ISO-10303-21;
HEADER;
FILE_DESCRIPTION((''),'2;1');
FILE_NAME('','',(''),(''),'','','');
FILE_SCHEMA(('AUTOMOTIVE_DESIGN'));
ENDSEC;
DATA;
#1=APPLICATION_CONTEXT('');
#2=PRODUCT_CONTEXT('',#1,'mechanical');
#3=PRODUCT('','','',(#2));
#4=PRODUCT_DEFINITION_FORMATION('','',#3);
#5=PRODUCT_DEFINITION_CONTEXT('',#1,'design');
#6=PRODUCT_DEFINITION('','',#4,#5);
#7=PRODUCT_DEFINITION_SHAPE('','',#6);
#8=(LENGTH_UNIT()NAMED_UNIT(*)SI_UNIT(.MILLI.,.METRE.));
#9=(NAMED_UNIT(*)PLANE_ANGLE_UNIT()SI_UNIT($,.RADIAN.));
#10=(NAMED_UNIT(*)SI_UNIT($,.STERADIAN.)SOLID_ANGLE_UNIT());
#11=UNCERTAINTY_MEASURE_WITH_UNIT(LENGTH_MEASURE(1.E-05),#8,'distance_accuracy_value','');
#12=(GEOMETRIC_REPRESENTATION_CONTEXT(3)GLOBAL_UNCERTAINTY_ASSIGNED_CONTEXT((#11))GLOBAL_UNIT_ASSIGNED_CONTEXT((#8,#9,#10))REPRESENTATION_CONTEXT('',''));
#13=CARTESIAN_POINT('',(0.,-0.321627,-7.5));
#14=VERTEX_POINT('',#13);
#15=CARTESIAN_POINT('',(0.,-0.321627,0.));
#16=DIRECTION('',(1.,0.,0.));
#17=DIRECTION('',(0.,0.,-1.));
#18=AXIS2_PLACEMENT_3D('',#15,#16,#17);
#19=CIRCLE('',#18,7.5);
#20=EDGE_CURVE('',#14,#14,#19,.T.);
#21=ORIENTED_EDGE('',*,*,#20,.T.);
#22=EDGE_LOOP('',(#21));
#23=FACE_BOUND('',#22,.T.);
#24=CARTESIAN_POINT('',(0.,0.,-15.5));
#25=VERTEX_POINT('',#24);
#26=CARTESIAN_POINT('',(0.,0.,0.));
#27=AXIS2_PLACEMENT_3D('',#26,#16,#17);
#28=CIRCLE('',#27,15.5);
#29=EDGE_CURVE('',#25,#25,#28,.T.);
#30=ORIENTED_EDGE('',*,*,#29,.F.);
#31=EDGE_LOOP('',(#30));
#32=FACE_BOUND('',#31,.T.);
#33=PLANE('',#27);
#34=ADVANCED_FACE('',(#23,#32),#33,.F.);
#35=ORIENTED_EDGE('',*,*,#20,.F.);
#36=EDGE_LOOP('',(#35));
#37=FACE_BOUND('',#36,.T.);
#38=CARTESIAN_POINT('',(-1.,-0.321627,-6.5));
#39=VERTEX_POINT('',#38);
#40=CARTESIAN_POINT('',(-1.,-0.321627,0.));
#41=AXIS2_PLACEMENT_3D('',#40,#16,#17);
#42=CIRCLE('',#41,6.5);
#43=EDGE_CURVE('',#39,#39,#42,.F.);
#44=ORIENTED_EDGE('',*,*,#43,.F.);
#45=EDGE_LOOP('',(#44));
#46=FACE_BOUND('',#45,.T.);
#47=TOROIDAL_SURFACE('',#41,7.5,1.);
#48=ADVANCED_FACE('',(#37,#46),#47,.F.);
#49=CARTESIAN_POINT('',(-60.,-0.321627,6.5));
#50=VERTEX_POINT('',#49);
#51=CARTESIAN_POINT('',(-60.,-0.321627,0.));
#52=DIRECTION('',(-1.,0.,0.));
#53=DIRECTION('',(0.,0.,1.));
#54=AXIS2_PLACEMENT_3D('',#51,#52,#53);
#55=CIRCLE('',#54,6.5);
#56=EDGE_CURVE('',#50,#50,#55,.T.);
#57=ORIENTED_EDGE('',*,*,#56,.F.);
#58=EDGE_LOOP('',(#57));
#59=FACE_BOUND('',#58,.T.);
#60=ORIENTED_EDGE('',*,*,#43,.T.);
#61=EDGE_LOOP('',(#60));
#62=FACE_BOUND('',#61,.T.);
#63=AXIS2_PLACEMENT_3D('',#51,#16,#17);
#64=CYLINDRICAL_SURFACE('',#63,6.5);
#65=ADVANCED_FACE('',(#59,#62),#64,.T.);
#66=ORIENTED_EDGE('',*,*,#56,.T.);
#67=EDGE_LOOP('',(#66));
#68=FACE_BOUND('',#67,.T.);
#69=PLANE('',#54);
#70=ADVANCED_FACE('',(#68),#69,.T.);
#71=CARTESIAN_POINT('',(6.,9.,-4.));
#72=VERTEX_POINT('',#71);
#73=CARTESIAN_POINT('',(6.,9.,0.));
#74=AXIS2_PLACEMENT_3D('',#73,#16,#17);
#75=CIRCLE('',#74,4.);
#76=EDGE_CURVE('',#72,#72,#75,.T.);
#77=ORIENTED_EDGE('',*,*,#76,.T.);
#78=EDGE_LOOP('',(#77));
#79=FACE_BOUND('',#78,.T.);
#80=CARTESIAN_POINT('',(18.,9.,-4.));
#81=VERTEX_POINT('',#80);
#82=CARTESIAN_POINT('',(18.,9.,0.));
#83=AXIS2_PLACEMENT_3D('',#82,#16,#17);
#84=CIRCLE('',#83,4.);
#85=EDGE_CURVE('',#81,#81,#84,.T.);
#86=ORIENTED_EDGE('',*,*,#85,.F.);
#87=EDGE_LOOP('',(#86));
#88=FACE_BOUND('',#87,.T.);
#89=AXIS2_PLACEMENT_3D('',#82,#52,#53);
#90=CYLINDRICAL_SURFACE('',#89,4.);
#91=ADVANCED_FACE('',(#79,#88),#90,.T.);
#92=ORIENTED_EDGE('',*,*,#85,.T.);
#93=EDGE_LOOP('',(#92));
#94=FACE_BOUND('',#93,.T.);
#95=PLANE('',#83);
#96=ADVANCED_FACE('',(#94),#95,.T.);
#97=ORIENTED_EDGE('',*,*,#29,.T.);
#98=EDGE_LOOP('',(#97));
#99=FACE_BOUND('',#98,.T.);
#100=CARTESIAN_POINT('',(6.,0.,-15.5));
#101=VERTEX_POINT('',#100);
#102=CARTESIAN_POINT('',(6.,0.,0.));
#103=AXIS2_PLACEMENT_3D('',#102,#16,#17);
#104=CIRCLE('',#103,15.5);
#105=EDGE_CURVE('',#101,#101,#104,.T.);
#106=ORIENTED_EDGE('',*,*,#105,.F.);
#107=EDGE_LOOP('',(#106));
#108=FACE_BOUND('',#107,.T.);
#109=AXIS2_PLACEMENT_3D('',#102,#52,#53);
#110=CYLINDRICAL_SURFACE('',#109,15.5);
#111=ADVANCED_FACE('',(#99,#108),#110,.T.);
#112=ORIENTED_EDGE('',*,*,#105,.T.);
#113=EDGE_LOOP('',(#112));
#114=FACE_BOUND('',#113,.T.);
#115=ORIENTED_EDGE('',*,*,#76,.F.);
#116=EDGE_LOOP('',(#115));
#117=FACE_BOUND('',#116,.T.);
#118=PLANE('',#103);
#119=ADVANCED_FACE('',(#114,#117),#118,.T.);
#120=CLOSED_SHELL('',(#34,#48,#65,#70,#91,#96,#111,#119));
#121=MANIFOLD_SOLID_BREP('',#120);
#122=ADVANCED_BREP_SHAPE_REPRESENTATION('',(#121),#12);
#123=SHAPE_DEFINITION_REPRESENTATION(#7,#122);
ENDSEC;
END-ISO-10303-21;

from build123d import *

# Parameters (mm, degrees)
SKETCH1_R           = 15.5
BOSS_EXTRUDE1_DEPTH = 6
SKETCH2_R           = 6.5
BOSS_EXTRUDE2_DEPTH = 60
FILLET1_R           = 1
SKETCH3_R           = 4
BOSS_EXTRUDE3_DEPTH = 12


with BuildPart() as part:
    # Sketch1 → Boss-Extrude1 (new body)
    with BuildSketch(Plane(origin=(0, 0, 0), x_dir=(0, 0, -1), z_dir=(1, 0, 0))):
        Circle(SKETCH1_R)
    extrude(amount=BOSS_EXTRUDE1_DEPTH)

    # Sketch2 → Boss-Extrude2 (add)
    with BuildSketch(Plane.ZY):
        with Locations((0, -0.321626653)):
            Circle(SKETCH2_R)
    extrude(amount=BOSS_EXTRUDE2_DEPTH)

    # Fillet1
    fillet1_edges = [part.edges().sort_by_distance(p)[0] for p in [
        (0, -0.321626653, -6.5),
    ]]
    fillet(fillet1_edges, radius=FILLET1_R)

    # Sketch3 → Boss-Extrude3 (add)
    with BuildSketch(Plane(origin=(6, 0, 0), x_dir=(0, 0, -1), z_dir=(1, 0, 0))):
        with Locations((0, 9)):
            Circle(SKETCH3_R)
    extrude(amount=BOSS_EXTRUDE3_DEPTH)


solid = part.part
